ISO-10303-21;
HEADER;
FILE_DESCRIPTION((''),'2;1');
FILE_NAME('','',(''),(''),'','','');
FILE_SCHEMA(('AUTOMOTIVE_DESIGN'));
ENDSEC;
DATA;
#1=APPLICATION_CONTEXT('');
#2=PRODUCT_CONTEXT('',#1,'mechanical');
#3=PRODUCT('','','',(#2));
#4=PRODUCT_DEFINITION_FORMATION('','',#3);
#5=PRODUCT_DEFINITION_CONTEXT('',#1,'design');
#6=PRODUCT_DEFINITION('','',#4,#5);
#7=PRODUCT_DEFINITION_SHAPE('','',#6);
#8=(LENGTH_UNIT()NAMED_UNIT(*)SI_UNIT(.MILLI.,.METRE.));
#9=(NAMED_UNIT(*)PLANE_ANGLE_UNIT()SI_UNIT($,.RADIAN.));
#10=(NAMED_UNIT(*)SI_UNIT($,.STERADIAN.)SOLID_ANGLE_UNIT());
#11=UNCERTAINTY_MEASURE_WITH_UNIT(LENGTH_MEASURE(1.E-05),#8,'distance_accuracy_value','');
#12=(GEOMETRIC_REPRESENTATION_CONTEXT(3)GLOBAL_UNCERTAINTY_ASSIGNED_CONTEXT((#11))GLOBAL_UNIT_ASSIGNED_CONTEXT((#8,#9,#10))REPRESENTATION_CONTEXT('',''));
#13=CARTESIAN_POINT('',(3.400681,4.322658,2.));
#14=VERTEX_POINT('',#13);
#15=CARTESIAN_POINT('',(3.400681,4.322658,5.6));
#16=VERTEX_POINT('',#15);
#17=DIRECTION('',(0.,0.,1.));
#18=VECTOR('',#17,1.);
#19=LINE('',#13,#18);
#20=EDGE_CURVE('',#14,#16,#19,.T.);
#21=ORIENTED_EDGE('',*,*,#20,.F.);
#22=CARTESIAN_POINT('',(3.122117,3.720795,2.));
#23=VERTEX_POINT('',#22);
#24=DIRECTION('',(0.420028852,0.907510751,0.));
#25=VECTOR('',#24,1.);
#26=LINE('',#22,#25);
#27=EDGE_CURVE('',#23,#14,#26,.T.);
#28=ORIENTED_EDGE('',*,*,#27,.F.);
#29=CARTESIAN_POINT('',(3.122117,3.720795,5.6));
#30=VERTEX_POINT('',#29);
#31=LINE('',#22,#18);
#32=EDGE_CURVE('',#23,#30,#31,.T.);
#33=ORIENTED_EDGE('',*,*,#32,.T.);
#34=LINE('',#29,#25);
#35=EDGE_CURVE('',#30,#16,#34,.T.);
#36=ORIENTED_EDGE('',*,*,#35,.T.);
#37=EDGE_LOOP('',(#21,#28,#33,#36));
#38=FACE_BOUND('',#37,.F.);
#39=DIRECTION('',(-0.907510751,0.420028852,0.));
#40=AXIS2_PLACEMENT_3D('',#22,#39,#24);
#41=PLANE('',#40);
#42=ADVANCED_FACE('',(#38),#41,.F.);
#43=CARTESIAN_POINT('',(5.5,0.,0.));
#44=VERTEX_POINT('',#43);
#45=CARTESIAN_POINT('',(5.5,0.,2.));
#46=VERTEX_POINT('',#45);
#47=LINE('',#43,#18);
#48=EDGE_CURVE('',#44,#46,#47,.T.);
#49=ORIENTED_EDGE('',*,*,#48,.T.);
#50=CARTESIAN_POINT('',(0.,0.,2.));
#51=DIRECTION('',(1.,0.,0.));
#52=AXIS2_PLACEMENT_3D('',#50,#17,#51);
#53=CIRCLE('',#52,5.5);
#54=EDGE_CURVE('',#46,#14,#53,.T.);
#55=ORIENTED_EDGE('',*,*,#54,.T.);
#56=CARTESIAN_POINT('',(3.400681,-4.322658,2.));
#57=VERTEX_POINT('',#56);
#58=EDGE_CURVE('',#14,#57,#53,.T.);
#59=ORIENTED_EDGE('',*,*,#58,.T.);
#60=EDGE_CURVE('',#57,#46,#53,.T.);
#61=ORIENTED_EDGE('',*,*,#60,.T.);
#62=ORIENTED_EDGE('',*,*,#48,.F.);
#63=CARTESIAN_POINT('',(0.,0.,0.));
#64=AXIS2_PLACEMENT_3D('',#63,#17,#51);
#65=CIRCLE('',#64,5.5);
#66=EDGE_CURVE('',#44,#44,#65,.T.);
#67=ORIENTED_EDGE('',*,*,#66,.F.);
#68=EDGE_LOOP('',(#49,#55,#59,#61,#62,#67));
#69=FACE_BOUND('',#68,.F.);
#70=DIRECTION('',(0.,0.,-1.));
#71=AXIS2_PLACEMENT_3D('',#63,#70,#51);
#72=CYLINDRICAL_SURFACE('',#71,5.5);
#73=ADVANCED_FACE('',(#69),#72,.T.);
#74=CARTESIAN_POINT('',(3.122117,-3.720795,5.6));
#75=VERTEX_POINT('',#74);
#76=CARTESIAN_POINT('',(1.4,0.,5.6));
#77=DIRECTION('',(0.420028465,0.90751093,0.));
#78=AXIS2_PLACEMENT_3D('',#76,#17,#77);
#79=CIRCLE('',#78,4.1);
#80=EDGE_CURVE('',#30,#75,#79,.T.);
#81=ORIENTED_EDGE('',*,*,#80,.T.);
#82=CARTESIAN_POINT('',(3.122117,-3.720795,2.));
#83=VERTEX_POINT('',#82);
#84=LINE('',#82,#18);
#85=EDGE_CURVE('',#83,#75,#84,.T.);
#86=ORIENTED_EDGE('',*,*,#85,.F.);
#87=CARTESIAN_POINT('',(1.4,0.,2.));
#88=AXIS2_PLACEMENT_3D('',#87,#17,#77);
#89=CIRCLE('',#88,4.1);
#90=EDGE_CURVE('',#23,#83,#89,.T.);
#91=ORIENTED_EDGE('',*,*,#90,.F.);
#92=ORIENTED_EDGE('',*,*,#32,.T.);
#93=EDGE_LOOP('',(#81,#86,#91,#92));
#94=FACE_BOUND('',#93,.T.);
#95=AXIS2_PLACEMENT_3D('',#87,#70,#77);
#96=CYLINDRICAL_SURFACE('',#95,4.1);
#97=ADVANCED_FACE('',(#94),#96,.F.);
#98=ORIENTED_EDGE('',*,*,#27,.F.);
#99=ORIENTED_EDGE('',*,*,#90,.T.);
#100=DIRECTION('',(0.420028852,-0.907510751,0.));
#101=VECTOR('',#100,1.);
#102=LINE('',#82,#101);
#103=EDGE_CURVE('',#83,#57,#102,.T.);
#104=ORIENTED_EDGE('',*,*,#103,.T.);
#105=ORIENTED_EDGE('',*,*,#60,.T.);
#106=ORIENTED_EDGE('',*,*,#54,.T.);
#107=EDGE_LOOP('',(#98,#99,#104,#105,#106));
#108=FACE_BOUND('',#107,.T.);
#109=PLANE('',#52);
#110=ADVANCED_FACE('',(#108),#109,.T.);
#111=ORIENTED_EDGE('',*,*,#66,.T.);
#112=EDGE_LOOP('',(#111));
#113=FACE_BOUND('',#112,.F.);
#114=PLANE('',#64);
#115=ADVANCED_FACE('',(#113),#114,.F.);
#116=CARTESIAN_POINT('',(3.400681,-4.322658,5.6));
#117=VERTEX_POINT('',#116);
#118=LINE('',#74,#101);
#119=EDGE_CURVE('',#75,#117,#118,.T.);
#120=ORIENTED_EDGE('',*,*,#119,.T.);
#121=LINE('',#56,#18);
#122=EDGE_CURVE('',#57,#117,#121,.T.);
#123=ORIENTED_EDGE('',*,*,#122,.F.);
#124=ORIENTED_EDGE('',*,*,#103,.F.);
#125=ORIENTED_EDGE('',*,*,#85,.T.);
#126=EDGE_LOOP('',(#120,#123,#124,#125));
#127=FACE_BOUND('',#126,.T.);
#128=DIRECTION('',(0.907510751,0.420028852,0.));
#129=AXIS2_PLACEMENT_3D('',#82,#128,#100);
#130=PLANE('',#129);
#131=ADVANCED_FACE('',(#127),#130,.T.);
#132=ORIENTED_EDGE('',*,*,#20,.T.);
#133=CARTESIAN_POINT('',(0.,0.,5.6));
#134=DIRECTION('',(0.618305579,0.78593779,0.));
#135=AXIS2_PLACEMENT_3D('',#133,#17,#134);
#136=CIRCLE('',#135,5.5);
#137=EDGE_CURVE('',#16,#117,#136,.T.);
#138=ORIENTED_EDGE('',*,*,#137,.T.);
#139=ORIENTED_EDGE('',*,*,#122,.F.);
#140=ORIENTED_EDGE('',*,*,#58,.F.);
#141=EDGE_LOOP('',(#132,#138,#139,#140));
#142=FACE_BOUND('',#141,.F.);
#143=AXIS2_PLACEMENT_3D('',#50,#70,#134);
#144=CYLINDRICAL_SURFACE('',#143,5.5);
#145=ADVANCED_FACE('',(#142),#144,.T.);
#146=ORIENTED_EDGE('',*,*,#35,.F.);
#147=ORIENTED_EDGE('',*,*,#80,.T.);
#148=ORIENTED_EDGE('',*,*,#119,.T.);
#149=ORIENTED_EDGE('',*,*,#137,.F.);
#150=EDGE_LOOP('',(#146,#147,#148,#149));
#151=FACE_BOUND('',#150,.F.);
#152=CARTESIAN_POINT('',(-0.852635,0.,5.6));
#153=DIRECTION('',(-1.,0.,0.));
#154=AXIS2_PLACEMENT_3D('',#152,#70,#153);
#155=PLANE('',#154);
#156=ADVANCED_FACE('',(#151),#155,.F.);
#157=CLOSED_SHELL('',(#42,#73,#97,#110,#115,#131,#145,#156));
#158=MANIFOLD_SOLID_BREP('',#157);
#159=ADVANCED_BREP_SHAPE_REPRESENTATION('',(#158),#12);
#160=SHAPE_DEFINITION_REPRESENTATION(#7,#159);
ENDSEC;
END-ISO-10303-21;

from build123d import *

# Parameters (mm, degrees)
SKETCH_R     = 5.5
PAD_DEPTH    = 2
PAD001_DEPTH = 3.6


with BuildPart() as part:
    # Sketch → Pad (new body)
    with BuildSketch(Plane.XY):
        Circle(SKETCH_R)
    extrude(amount=PAD_DEPTH)

    # Sketch001 (on Face3 of Pad) → Pad001 (join)
    with BuildSketch(Plane.XY.offset(2)):
        with BuildLine():
            ThreePointArc((3.122117, 3.720795), (-2.7, 0), (3.122117, -3.720795))
            Line((3.122117, -3.720795), (3.400681, -4.322658))
            ThreePointArc((3.400681, 4.322658), (-5.5, 0), (3.400681, -4.322658))
            Line((3.122117, 3.720795), (3.400681, 4.322658))
        make_face()
    extrude(amount=PAD001_DEPTH)


solid = part.part
